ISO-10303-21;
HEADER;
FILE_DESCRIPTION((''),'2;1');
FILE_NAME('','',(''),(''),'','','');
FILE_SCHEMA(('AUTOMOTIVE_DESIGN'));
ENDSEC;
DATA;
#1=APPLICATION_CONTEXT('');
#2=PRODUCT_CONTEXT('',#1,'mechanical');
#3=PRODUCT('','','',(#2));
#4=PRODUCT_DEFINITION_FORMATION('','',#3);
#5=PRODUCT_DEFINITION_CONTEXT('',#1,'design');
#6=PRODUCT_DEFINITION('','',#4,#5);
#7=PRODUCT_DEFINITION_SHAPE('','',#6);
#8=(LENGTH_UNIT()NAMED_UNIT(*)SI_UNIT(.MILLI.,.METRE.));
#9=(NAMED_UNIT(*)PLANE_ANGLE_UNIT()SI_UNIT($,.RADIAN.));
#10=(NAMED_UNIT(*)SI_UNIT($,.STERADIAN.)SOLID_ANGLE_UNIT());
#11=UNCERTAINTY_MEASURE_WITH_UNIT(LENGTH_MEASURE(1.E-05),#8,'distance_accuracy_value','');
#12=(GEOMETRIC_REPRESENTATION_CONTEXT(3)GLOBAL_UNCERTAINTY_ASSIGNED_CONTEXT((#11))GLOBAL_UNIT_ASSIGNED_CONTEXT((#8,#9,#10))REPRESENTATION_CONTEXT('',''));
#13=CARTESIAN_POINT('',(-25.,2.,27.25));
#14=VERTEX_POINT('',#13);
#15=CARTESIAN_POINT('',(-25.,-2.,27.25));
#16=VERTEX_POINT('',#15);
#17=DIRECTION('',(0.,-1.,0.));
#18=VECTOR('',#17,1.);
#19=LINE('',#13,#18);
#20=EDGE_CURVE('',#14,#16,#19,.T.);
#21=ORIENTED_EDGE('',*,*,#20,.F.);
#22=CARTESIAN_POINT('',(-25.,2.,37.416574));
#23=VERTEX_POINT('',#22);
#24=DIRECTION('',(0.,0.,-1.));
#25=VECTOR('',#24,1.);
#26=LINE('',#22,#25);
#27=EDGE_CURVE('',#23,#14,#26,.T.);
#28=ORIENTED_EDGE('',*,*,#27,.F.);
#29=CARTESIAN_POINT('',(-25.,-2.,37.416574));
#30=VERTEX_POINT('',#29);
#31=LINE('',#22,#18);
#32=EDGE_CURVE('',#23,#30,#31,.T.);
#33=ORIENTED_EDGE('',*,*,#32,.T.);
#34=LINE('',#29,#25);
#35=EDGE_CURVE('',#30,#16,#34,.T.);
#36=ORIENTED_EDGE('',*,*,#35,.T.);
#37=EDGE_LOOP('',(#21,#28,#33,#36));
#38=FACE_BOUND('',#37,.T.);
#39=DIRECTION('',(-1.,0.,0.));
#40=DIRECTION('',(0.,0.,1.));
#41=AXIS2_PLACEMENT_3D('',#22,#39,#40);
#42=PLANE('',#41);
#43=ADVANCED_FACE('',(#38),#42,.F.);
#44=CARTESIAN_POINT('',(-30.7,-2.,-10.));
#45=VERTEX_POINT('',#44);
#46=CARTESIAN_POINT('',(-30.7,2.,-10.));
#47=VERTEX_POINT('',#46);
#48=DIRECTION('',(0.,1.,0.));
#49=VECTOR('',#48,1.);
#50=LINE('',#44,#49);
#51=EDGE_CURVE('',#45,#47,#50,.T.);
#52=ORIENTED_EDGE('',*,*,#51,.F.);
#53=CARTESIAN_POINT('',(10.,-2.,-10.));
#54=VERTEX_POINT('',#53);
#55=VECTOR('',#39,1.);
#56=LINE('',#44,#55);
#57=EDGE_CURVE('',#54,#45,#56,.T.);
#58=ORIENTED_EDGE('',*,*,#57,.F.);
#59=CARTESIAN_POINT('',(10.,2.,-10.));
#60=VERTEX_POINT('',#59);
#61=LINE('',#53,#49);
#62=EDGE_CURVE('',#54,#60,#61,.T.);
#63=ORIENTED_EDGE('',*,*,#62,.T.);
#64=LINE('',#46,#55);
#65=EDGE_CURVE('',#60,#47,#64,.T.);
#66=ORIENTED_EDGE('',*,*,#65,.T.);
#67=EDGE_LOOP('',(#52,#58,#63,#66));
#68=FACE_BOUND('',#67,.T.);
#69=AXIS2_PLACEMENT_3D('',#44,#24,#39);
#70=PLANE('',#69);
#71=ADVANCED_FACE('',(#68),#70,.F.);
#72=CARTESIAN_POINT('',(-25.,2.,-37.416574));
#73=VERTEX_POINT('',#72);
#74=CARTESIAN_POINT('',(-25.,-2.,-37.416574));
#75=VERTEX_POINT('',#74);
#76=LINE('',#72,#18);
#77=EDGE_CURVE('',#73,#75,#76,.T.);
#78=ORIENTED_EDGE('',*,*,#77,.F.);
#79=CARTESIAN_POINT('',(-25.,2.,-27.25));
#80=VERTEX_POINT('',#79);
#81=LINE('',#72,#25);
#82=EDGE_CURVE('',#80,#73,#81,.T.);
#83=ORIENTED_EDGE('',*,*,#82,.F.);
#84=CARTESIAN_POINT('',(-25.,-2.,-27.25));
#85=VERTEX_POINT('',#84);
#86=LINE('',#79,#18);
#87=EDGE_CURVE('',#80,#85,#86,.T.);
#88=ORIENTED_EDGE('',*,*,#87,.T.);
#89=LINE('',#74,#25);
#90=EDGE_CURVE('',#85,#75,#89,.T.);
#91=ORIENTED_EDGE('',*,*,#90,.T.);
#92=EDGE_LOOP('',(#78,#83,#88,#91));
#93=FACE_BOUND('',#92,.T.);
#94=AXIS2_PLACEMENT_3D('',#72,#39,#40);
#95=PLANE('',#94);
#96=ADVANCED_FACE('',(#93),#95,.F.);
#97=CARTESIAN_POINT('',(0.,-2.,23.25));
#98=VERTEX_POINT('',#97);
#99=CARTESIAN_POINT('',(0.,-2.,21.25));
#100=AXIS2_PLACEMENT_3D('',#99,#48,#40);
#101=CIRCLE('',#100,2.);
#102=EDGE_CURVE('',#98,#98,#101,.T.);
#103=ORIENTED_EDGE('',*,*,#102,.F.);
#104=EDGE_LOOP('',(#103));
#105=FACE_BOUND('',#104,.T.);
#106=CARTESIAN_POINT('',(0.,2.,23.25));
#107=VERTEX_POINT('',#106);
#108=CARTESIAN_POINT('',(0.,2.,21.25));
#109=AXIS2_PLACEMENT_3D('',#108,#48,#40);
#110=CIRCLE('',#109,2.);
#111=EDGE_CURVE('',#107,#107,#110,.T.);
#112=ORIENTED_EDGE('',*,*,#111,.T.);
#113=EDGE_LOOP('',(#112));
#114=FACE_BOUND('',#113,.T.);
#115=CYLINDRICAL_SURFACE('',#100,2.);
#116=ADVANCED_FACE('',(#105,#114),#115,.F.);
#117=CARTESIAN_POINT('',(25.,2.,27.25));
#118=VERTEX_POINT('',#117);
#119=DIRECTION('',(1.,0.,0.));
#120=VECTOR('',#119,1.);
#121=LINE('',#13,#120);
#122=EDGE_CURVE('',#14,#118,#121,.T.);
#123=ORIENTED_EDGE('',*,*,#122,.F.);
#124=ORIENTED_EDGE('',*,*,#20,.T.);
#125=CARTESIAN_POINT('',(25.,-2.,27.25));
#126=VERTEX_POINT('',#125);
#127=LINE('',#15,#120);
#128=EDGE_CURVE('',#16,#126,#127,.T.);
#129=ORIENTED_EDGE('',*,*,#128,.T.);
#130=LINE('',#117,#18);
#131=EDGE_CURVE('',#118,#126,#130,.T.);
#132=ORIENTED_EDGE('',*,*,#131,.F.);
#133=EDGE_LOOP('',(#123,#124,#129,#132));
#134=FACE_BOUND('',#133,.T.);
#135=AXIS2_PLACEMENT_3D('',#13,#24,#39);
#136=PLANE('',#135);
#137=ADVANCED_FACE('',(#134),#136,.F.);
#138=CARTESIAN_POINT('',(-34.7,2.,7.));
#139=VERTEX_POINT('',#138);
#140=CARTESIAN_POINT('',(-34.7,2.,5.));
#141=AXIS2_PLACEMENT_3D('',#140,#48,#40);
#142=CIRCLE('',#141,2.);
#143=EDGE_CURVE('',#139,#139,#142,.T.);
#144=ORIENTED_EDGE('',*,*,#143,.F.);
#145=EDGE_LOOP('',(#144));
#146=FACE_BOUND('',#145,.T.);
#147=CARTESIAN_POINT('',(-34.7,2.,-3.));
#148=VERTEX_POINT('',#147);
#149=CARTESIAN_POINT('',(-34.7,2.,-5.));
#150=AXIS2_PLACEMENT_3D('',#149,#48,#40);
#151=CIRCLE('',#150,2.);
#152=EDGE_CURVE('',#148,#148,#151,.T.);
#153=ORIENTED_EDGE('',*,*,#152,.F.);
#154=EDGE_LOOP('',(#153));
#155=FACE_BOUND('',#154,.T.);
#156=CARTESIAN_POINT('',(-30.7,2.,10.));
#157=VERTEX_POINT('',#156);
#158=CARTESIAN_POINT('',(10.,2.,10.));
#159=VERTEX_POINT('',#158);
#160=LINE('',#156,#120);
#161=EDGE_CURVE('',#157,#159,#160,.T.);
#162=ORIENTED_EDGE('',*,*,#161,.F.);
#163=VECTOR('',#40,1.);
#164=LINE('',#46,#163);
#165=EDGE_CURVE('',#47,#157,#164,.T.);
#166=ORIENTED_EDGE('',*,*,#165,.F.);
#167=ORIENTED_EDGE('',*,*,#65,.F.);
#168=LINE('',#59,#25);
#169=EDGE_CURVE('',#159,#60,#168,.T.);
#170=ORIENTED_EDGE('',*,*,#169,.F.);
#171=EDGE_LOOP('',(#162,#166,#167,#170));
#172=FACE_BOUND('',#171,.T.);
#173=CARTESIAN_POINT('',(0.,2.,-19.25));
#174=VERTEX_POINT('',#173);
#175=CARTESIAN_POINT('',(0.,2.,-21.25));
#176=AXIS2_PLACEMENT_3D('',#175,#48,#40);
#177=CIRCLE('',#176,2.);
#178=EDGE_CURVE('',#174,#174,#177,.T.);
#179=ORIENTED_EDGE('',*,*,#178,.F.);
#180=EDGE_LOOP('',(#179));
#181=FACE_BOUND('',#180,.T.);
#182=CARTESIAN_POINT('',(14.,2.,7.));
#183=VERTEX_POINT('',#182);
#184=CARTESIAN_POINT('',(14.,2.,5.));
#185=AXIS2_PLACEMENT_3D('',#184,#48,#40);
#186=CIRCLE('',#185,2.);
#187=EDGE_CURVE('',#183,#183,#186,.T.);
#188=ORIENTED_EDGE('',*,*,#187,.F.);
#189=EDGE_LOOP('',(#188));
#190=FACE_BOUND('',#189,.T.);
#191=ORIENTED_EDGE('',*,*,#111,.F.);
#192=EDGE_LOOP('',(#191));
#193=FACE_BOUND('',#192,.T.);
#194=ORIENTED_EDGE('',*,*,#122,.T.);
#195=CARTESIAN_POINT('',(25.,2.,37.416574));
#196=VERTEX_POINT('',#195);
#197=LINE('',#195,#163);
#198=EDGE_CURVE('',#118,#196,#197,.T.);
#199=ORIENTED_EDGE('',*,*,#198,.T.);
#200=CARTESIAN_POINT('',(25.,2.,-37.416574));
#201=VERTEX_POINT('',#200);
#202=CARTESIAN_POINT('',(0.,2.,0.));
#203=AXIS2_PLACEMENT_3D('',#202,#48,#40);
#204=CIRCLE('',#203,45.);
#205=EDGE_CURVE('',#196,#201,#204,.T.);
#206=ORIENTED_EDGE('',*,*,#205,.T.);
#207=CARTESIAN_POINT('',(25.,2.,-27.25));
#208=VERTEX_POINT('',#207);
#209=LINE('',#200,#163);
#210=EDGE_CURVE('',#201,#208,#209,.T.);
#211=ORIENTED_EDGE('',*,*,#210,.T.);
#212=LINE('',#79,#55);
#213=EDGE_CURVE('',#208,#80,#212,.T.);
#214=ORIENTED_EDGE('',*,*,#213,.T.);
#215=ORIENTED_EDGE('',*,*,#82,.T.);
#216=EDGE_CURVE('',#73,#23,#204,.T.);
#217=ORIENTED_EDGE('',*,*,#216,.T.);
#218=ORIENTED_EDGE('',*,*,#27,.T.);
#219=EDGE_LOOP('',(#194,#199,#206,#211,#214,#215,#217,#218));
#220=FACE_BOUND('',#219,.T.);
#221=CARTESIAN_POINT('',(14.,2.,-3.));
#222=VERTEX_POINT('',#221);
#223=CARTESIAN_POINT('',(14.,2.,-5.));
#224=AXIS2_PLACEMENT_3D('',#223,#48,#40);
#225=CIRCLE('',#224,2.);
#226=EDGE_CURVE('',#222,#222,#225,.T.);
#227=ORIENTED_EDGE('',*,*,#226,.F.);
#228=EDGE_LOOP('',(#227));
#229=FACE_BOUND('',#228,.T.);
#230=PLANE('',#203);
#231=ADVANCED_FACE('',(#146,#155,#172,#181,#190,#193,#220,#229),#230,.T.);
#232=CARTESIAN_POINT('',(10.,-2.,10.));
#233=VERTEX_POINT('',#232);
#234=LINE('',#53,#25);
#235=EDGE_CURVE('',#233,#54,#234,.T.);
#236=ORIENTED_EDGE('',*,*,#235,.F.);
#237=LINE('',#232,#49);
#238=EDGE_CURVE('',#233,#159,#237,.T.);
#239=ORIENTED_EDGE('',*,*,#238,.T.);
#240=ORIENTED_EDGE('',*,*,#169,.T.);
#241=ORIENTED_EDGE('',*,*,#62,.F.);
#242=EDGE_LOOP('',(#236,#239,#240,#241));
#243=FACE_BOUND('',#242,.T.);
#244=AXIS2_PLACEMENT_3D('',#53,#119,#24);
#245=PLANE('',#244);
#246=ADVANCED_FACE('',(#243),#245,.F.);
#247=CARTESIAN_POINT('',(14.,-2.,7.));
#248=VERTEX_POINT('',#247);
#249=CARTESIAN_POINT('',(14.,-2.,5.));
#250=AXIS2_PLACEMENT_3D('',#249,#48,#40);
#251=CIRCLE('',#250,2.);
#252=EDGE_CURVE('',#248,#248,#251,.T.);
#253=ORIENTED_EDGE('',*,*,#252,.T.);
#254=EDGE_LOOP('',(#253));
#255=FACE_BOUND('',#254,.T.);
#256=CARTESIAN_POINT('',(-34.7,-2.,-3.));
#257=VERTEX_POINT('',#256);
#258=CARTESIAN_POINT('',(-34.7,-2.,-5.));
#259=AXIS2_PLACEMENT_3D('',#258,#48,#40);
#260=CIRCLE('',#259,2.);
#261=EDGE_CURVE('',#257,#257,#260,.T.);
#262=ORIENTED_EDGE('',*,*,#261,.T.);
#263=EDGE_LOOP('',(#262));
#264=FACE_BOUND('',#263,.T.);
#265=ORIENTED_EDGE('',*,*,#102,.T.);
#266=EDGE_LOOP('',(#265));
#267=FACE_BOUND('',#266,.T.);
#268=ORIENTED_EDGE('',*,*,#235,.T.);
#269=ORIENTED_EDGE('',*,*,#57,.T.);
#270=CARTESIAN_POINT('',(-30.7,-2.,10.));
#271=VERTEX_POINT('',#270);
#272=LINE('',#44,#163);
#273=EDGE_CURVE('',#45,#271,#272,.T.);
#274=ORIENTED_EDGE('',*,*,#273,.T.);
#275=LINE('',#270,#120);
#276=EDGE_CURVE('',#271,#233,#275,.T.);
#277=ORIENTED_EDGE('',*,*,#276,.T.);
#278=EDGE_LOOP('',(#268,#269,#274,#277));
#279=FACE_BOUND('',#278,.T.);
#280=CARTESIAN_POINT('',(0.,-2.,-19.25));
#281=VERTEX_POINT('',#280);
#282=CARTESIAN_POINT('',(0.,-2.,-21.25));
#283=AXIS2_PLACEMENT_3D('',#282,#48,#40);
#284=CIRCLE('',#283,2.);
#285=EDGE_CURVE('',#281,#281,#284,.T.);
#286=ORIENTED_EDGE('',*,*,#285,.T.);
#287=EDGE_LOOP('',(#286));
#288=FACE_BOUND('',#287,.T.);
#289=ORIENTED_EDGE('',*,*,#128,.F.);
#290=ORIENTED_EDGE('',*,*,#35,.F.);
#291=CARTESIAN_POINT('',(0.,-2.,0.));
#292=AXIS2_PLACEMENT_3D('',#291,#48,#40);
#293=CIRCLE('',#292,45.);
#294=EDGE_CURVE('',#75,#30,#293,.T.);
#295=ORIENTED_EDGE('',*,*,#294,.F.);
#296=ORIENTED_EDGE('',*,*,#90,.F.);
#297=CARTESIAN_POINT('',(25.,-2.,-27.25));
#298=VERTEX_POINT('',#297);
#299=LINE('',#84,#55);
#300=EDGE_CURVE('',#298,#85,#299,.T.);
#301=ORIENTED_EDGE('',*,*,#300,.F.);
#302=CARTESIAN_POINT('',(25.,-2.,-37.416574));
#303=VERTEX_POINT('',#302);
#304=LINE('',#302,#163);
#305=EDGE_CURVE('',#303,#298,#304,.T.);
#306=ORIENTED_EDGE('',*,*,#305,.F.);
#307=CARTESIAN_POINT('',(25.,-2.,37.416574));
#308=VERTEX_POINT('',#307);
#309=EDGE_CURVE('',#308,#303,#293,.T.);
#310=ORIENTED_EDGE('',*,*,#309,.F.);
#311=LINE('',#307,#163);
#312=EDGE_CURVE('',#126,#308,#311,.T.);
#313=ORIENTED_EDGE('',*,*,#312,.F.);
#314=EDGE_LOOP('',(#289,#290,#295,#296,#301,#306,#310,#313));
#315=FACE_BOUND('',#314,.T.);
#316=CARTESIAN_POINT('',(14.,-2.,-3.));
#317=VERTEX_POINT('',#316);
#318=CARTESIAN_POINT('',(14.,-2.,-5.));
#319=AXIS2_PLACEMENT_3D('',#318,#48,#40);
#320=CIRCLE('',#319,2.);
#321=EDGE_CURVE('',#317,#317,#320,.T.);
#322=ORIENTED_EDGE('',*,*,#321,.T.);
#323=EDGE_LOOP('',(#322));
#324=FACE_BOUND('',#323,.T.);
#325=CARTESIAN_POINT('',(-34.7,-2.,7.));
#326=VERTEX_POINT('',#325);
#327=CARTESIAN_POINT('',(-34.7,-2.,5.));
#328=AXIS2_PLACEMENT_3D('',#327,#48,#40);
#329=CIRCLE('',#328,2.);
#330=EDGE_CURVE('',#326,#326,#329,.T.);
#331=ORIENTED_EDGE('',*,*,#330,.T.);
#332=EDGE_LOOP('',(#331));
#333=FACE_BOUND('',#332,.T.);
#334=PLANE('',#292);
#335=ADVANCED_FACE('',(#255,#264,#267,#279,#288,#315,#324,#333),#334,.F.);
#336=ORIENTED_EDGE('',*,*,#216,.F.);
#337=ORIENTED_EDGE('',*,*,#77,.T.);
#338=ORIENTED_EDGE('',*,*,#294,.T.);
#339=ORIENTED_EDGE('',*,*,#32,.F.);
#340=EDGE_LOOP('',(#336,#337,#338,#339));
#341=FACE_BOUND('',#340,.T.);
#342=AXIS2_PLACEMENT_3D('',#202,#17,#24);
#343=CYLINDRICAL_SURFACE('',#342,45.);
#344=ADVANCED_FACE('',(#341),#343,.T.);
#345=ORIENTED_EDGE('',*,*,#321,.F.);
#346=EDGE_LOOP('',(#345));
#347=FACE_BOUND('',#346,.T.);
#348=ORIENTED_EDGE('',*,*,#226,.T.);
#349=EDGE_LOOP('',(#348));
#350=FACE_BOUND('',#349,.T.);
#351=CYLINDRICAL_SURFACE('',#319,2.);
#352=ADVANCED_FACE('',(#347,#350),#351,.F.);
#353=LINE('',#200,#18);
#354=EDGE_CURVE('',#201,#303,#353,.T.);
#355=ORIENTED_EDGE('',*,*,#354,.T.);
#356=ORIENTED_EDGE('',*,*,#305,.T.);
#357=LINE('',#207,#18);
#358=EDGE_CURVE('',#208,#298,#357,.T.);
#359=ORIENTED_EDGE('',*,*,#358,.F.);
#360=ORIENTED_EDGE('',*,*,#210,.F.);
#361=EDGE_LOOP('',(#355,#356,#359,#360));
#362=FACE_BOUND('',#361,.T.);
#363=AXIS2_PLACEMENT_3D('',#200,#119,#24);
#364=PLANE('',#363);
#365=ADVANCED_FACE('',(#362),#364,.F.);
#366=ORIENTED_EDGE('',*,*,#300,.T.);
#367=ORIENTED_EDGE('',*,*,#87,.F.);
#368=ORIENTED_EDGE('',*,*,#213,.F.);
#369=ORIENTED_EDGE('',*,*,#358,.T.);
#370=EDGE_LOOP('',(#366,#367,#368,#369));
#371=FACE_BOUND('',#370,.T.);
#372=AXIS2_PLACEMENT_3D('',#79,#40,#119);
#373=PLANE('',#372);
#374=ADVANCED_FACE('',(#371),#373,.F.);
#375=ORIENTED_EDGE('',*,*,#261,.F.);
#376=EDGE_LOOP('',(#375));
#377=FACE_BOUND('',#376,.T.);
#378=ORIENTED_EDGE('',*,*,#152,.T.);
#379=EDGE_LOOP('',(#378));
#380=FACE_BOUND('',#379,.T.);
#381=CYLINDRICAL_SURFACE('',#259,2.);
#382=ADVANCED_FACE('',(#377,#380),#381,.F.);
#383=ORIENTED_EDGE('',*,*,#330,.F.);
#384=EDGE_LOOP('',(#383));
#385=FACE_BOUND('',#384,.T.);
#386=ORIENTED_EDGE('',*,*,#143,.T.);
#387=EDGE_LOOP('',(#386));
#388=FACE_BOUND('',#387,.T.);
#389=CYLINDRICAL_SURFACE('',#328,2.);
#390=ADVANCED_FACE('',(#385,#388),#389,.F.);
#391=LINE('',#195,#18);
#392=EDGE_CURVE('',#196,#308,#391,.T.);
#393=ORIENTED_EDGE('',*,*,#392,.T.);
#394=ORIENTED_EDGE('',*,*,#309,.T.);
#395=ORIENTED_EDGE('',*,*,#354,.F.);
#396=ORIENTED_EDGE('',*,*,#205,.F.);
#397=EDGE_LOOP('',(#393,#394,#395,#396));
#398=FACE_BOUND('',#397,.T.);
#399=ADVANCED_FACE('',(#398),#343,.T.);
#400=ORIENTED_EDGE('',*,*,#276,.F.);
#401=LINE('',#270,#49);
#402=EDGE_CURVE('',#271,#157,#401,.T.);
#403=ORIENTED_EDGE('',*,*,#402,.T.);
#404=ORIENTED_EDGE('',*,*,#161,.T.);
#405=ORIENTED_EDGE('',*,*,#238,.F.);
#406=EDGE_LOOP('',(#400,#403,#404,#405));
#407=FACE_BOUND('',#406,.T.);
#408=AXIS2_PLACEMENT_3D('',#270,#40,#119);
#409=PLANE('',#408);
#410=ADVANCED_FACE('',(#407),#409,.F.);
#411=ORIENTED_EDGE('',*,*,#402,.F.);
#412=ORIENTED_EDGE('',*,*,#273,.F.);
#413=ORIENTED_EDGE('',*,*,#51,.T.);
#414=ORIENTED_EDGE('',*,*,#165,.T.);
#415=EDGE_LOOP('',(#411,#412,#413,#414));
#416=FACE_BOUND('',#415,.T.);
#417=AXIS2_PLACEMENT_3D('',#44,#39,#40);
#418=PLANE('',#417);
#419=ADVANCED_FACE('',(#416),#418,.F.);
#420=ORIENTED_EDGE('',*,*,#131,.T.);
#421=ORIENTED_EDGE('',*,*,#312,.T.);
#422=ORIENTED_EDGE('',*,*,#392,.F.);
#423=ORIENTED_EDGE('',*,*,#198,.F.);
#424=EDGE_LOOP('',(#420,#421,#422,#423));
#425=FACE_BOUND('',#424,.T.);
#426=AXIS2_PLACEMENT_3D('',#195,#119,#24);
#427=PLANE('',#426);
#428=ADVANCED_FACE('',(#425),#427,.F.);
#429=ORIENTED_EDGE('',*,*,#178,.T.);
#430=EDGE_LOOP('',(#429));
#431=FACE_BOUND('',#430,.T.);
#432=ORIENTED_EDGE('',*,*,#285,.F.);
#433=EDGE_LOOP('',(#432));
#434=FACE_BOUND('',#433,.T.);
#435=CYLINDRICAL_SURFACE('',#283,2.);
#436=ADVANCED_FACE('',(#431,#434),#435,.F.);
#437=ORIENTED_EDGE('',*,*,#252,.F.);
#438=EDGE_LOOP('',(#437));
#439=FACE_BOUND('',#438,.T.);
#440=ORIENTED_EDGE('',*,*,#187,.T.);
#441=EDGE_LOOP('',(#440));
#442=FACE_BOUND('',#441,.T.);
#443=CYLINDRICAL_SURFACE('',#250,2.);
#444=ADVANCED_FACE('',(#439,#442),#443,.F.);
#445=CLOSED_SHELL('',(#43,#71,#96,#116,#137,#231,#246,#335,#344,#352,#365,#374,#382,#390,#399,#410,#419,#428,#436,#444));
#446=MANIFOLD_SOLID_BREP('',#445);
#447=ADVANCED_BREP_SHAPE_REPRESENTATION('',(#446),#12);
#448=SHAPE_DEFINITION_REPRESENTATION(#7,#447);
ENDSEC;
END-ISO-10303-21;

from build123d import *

# Parameters (mm, degrees)
ESTRUSIONE_ESTRUSIONE1_DEPTH = 2
CROQUIS2_R                   = 2
CROQUIS2_W                   = 40.7
CROQUIS2_H                   = 20
CORTAR_EXTRUIR1_DEPTH        = 59.660037504


with BuildPart() as part:
    # Schizzo1 → Estrusione-Estrusione1 (new, symmetric)
    with BuildSketch(Plane(origin=(0, 0, 0), x_dir=(1, 0, 0), z_dir=(0, 1, 0))):
        with BuildLine():
            Line((-25, 37.416573868), (-25, 27.25))
            Line((-25, 27.25), (25, 27.25))
            Line((25, 27.25), (25, 37.416573868))
            ThreePointArc((25, 37.416573868), (45, 0), (25, -37.416573868))
            Line((25, -37.416573868), (25, -27.25))
            Line((25, -27.25), (-25, -27.25))
            Line((-25, -27.25), (-25, -37.416573868))
            ThreePointArc((-25, -37.416573868), (-45, 0), (-25, 37.416573868))
        make_face()
    extrude(amount=ESTRUSIONE_ESTRUSIONE1_DEPTH, both=True)

    # Croquis2 → Cortar-Extruir1 (cut, through all)
    with BuildSketch(Plane(origin=(0, 2, 0), x_dir=(1, 0, 0), z_dir=(0, 1, 0))):
        with Locations(Location((-34.7, 5, 0), (0, 0, 270))):
            Circle(CROQUIS2_R)
        with Locations(Location((-34.7, -5, 0), (0, 0, 270))):
            Circle(CROQUIS2_R)
        with Locations(Location((14, 5, 0), (0, 0, 270))):
            Circle(CROQUIS2_R)
        with Locations(Location((14, -5, 0), (0, 0, 270))):
            Circle(CROQUIS2_R)
        with Locations(Location((0, 21.25, 0), (0, 0, 270))):
            Circle(CROQUIS2_R)
        with Locations(Location((0, -21.25, 0), (0, 0, 270))):
            Circle(CROQUIS2_R)
        with Locations((-10.35, 0)):
            Rectangle(CROQUIS2_W, CROQUIS2_H)
    extrude(amount=-CORTAR_EXTRUIR1_DEPTH, mode=Mode.SUBTRACT)


solid = part.part
